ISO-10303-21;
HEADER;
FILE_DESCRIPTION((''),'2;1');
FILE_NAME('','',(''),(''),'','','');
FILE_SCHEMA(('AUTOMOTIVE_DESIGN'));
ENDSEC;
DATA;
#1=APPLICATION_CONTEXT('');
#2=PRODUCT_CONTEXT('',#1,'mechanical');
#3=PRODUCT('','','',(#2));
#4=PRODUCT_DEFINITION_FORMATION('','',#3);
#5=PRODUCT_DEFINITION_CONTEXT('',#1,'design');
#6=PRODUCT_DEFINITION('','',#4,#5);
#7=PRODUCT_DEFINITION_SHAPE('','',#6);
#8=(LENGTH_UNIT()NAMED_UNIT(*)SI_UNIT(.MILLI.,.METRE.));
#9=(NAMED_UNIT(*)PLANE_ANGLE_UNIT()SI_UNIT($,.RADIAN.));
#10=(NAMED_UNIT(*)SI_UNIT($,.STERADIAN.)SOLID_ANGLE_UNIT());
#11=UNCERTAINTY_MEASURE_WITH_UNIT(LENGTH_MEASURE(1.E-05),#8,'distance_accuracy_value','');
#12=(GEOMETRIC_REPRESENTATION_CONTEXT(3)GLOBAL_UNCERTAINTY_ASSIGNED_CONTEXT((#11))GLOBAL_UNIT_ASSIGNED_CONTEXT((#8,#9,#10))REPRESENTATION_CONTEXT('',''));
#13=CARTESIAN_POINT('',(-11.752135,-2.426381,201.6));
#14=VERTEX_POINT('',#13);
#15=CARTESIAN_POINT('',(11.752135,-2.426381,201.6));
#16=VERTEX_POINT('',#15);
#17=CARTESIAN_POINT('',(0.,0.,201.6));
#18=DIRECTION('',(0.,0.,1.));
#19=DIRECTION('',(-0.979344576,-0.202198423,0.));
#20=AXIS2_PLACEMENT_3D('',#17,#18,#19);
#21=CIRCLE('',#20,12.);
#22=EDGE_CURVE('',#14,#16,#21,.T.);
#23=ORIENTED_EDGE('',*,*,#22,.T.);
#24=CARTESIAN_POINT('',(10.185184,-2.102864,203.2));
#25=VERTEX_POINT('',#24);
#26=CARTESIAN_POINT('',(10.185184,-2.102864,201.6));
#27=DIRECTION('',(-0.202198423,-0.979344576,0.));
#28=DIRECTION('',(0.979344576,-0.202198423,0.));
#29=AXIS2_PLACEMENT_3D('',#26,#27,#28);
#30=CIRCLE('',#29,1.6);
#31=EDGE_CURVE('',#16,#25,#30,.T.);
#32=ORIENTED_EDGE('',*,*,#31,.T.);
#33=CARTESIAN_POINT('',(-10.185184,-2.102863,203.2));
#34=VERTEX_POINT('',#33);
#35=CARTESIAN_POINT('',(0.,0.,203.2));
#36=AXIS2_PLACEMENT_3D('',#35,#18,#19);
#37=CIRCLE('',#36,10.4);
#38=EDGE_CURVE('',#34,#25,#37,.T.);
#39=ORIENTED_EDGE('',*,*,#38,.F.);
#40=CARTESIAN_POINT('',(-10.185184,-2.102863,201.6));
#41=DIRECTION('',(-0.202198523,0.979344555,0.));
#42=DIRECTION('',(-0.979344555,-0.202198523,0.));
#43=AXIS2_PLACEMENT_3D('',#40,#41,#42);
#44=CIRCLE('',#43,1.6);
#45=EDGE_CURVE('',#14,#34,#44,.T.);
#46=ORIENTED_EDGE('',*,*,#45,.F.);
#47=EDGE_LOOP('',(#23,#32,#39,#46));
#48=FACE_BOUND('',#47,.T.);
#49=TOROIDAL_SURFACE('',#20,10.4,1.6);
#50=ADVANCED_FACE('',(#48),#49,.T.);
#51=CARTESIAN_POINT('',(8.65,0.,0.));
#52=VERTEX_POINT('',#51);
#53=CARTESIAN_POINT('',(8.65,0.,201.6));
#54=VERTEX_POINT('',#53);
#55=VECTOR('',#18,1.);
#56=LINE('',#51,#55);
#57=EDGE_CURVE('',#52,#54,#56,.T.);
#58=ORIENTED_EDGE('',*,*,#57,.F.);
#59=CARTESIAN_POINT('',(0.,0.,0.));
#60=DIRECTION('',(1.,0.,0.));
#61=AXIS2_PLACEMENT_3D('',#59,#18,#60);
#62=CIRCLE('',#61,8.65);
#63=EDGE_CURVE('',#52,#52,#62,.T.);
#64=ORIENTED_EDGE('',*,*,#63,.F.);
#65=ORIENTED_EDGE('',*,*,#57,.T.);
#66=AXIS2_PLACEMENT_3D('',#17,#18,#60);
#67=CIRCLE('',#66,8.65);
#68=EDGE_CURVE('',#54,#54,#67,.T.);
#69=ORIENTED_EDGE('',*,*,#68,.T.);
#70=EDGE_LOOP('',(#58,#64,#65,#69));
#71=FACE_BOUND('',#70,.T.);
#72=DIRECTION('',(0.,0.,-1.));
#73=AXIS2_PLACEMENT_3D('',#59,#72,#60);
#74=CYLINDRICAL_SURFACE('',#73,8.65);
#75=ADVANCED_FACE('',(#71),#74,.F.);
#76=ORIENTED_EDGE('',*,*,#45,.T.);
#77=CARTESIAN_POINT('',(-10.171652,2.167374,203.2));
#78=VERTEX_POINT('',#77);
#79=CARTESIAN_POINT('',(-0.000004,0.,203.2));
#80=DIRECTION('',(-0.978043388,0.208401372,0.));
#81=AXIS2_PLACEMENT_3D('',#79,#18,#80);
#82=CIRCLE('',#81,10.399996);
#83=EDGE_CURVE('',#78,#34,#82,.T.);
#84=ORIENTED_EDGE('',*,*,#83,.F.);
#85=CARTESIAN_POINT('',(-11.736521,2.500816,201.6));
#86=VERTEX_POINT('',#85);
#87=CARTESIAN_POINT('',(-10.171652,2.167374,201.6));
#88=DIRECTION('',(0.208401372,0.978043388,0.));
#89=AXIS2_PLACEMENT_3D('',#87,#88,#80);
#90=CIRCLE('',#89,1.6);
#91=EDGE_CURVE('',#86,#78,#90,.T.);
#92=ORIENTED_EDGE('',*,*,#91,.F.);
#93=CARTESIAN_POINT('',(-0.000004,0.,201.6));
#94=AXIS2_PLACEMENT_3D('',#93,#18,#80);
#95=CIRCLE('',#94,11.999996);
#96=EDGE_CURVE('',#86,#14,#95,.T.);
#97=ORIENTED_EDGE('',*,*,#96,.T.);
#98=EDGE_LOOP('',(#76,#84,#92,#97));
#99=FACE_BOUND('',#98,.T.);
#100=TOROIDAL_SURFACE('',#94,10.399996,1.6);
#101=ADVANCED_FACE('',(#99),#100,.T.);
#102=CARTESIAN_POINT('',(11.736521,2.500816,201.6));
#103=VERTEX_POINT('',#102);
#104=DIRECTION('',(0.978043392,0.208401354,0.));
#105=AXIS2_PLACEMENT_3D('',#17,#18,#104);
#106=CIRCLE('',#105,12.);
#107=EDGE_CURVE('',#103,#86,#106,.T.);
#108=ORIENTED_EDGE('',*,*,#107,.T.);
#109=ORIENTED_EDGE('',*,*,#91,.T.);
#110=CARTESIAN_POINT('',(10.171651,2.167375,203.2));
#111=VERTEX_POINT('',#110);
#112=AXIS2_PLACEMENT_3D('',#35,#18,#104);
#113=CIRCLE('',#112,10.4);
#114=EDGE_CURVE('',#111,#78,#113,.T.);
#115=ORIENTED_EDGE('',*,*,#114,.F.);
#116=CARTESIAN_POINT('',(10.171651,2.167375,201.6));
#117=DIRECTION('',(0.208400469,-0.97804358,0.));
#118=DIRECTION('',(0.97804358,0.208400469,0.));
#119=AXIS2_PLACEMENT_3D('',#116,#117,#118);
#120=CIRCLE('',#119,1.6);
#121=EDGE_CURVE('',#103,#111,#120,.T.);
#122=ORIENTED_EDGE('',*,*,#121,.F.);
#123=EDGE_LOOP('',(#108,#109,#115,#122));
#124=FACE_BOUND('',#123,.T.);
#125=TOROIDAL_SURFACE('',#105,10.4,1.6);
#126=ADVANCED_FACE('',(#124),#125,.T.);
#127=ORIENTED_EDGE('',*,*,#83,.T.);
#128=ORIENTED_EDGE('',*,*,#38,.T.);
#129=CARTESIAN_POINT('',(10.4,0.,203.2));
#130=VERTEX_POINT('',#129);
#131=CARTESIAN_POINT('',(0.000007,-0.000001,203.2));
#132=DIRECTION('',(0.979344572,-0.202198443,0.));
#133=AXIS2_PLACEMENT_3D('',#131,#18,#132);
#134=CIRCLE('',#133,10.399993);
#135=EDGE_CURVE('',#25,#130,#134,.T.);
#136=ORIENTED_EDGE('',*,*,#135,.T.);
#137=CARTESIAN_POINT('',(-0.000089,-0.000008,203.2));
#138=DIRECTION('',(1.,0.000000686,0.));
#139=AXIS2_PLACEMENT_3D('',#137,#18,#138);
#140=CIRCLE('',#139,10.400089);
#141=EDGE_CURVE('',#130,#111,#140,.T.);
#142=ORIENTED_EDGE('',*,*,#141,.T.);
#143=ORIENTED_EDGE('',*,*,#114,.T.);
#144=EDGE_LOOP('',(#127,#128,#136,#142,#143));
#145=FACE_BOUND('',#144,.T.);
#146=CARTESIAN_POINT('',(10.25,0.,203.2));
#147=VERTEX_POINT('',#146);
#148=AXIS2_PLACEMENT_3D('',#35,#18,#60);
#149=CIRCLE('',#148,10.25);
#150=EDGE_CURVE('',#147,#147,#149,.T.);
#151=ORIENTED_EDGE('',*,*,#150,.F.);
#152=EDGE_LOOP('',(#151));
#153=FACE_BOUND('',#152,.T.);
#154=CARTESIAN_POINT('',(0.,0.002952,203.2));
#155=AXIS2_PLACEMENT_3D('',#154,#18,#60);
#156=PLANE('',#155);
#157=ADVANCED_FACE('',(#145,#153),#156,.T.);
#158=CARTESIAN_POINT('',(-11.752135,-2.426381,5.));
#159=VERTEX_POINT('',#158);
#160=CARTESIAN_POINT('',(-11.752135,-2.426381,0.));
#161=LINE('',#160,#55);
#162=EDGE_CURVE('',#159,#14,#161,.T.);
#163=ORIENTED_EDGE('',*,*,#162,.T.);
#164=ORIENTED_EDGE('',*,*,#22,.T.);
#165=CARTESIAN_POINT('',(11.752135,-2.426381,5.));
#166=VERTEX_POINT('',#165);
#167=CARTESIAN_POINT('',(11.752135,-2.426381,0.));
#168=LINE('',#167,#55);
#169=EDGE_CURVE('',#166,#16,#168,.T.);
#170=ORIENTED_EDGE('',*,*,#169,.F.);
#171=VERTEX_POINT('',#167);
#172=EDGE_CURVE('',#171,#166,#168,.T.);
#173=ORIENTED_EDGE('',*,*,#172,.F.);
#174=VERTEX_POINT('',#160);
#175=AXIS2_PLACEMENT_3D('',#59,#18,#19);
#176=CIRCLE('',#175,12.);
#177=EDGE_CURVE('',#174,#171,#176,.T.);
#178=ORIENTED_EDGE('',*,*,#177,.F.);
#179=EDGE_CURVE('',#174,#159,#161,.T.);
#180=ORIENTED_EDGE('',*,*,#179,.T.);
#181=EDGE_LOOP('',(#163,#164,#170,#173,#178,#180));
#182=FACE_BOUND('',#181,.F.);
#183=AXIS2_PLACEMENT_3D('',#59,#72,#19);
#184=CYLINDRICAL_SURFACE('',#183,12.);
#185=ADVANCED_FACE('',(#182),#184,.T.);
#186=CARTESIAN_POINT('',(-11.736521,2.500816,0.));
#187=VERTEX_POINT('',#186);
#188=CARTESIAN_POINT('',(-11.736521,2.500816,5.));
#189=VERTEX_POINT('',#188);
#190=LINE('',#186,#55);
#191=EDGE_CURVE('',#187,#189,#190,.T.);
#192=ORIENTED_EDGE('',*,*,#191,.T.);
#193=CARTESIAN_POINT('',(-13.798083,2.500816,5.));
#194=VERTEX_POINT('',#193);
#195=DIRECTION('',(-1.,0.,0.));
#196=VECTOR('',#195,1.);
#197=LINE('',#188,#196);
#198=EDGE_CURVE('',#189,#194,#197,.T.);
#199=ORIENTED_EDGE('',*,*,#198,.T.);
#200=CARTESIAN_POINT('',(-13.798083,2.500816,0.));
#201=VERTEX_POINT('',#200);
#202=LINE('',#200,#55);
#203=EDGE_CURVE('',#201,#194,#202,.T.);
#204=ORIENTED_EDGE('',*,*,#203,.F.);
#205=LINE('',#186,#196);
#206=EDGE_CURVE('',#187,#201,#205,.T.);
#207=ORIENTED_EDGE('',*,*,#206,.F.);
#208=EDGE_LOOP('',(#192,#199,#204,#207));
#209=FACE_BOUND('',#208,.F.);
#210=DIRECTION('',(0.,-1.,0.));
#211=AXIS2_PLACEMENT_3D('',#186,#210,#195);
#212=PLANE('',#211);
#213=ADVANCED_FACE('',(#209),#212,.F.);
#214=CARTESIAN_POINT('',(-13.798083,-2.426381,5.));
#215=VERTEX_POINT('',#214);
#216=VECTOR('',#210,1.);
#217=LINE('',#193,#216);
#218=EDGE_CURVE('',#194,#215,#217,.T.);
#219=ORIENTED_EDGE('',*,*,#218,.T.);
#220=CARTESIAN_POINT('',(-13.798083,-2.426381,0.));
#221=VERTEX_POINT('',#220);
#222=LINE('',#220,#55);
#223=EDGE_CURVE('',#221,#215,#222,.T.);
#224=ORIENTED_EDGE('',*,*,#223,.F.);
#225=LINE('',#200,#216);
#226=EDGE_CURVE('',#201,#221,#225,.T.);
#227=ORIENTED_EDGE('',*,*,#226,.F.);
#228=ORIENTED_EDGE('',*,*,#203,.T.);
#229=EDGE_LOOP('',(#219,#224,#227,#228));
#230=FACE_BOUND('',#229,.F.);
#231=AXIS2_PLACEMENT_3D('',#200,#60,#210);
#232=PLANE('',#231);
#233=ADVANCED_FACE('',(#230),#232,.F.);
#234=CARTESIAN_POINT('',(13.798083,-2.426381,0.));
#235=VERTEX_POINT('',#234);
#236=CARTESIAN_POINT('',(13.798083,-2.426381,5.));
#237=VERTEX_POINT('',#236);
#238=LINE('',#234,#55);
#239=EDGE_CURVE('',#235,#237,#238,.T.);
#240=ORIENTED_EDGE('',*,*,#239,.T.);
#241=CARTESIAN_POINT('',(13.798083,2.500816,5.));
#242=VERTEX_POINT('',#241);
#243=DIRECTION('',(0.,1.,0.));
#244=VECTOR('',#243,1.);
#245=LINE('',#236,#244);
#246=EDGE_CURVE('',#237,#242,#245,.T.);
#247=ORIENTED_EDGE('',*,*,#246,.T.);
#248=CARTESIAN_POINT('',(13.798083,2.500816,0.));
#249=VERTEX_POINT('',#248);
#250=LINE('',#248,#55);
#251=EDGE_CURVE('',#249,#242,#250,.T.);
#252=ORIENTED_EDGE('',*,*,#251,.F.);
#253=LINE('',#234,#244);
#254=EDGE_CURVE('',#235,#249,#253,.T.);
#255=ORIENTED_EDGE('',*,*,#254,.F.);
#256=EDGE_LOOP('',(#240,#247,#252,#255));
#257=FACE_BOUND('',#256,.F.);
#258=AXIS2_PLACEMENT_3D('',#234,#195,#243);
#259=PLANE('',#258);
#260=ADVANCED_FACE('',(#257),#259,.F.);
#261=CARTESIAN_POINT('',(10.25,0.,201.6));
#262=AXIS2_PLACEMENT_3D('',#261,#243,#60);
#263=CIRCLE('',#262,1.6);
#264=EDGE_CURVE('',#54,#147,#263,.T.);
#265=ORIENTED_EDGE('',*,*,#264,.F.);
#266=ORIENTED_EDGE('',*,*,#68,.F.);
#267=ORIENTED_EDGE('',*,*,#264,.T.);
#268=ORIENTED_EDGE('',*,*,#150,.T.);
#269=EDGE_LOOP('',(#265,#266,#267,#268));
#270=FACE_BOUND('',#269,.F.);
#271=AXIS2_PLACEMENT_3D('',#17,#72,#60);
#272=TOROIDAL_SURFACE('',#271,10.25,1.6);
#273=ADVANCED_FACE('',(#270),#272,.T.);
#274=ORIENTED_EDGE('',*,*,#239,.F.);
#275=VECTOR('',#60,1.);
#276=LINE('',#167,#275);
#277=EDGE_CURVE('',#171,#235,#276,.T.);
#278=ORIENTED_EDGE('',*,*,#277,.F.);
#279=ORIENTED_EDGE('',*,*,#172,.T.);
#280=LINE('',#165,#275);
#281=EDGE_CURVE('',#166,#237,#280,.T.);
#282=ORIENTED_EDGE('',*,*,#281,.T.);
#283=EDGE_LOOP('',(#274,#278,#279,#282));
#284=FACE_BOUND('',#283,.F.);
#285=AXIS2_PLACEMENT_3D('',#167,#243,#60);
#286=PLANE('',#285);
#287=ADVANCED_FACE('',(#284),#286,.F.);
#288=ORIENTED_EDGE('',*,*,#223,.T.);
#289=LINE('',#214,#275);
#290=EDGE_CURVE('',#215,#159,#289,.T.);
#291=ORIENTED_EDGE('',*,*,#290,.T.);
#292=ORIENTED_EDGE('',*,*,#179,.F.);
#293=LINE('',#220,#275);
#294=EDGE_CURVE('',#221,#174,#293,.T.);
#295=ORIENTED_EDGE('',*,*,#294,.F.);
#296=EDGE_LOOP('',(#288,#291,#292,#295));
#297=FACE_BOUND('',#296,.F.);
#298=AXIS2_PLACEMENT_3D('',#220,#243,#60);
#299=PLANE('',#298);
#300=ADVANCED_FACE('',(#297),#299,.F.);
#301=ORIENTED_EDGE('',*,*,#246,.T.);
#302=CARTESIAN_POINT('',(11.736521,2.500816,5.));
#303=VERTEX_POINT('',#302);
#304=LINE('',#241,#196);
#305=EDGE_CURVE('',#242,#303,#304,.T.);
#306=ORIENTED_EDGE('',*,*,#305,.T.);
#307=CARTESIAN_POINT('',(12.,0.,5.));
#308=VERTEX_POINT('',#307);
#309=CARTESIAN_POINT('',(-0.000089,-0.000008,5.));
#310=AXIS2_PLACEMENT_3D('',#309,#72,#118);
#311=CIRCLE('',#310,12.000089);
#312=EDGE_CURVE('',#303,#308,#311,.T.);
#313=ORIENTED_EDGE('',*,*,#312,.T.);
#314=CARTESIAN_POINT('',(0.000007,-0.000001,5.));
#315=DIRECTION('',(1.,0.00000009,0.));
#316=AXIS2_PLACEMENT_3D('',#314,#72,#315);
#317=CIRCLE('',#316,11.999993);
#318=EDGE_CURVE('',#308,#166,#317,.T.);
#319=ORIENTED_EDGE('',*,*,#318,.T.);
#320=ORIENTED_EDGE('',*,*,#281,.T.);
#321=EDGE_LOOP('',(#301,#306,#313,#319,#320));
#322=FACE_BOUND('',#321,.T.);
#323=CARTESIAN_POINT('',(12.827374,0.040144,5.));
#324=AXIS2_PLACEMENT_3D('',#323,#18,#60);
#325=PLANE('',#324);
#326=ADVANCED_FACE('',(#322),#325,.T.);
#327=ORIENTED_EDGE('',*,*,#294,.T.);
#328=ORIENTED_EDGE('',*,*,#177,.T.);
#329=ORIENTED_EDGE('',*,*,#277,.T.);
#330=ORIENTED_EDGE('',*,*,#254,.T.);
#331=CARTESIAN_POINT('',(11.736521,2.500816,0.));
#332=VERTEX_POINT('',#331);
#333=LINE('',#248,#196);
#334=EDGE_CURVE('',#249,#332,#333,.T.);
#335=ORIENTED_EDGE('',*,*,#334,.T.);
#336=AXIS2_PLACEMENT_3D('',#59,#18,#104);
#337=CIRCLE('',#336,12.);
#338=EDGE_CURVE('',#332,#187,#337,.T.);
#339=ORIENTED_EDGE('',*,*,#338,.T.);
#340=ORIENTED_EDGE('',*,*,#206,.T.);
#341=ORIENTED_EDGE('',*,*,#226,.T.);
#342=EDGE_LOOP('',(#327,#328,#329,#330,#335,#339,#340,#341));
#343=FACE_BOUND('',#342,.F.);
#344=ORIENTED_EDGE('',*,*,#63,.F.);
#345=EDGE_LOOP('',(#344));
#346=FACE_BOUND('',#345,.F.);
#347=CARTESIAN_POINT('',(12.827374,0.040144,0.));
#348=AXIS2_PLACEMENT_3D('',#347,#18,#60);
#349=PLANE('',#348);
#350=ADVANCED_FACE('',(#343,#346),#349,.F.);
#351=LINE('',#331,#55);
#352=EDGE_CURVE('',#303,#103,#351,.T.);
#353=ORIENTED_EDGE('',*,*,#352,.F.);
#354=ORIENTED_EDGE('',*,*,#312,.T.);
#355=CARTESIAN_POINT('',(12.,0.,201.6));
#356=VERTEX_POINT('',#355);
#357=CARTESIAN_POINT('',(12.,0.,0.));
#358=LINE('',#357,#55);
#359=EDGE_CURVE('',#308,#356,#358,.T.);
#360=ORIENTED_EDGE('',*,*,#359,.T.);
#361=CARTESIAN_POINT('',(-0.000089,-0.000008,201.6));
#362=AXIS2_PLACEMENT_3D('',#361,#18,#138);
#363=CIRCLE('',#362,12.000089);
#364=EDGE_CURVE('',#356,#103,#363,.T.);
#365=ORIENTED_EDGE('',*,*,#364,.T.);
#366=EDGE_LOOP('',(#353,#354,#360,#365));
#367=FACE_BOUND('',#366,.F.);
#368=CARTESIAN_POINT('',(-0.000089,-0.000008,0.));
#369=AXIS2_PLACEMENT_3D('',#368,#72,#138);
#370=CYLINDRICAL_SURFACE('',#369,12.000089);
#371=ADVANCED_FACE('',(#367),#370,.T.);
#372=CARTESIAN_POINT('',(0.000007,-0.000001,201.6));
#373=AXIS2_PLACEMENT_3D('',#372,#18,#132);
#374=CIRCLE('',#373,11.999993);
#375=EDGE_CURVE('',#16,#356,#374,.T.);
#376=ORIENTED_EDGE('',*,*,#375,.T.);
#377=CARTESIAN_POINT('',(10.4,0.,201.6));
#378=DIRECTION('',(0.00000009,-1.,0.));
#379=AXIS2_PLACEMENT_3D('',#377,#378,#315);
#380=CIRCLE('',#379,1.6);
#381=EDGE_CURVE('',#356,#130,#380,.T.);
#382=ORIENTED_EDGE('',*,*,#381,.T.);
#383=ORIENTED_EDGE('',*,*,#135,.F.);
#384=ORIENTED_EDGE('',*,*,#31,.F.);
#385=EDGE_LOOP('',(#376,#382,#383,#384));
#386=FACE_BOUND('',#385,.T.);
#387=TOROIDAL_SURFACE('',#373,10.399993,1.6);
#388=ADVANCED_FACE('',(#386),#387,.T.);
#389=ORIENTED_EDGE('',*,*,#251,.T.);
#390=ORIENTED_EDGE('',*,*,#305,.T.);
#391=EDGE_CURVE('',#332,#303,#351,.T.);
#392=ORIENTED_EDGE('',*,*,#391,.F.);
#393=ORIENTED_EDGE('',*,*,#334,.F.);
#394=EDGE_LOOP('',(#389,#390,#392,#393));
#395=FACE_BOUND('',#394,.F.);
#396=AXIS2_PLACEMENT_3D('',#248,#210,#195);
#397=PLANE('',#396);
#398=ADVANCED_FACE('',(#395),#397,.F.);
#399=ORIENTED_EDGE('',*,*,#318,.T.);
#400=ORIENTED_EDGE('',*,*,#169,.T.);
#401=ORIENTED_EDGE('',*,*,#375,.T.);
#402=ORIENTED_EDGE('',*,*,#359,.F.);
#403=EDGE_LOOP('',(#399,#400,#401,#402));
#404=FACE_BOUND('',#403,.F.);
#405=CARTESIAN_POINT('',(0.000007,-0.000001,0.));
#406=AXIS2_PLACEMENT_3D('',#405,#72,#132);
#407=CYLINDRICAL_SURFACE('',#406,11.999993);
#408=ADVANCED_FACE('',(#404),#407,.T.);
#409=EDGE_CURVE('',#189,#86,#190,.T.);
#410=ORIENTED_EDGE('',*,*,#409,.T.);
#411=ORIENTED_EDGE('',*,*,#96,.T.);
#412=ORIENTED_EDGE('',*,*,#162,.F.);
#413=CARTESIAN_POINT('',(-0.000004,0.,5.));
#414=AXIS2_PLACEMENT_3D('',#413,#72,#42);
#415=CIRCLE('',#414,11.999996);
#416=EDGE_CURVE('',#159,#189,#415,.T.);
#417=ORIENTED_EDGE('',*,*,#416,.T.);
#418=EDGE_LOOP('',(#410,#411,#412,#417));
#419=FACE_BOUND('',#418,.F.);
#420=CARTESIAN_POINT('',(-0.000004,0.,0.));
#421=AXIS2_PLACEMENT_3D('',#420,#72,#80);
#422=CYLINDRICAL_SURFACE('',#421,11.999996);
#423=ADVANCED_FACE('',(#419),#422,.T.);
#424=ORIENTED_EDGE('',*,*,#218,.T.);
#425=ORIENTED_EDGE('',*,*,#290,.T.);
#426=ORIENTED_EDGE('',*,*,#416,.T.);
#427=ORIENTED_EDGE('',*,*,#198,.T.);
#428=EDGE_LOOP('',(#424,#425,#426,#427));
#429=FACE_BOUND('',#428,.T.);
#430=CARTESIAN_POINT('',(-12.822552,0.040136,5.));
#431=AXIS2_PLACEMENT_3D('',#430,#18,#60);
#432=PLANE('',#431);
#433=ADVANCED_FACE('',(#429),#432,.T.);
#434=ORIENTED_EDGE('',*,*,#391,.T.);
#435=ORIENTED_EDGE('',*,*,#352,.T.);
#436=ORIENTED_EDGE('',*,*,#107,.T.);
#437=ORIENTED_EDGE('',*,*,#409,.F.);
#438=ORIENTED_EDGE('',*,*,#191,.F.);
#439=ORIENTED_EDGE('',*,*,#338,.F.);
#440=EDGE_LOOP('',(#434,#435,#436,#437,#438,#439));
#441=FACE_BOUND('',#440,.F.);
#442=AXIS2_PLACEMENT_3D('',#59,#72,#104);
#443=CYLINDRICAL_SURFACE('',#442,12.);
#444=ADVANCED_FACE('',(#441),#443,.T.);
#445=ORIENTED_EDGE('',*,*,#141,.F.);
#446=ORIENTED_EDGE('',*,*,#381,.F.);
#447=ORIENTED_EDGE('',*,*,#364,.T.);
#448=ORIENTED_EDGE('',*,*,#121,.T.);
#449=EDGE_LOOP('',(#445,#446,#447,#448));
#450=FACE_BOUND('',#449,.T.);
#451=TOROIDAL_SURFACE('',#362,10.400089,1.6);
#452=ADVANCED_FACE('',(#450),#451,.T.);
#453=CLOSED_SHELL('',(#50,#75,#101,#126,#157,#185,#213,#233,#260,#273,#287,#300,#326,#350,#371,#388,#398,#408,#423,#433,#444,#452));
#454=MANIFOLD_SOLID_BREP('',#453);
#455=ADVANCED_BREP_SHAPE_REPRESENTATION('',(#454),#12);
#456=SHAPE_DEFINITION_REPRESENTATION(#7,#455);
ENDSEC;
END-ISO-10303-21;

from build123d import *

# Parameters (mm, degrees)
F0_R     = 8.65
F1_DEPTH = 203.2
F2_R     = 1.6
F3_DEPTH = 5


with BuildPart() as f1:
    # F0 (on Top) → F1 (new body)
    with BuildSketch(Plane.XY):
        with BuildLine():
            Line((11.736521, -2.426381), (11.736521, 2.500816))
            ThreePointArc((11.736521, 2.500816), (0, 12), (-11.736521, 2.500816))
            Line((-11.736521, 2.500816), (-11.736521, -2.426381))
            Line((-11.736521, -2.426381), (-11.752135, -2.426381))
            ThreePointArc((-11.752135, -2.426381), (0, -12), (11.752135, -2.426381))
            Line((11.752135, -2.426381), (11.736521, -2.426381))
        make_face()
        Circle(F0_R, mode=Mode.SUBTRACT)
        with BuildLine():
            Line((-11.736521, -2.426381), (-11.736521, 2.500816))
            ThreePointArc((-11.736521, 2.500816), (-11.99994, 0.038028), (-11.752135, -2.426381))
            Line((-11.752135, -2.426381), (-11.736521, -2.426381))
        make_face()
        with BuildLine():
            ThreePointArc((11.752135, -2.426381), (11.937873, -1.219504), (12, 0))
            ThreePointArc((12, 0), (11.933948, 1.257329), (11.736521, 2.500816))
            Line((11.736521, 2.500816), (11.736521, -2.426381))
            Line((11.736521, -2.426381), (11.752135, -2.426381))
        make_face()
    extrude(amount=F1_DEPTH)

    # F2
    f2_edges = [f1.edges().sort_by_distance(p)[0] for p in [
        (-11.752135, 2.426381, 203.2),
        (-8.65, 0, 203.2),
    ]]
    fillet(f2_edges, radius=F2_R)

    # F0 (on Top) → F3 (join)
    with BuildSketch(Plane.XY):
        with BuildLine():
            ThreePointArc((11.736521, 2.500816), (11.933948, 1.257329), (12, 0))
            ThreePointArc((12, 0), (11.937873, -1.219504), (11.752135, -2.426381))
            Line((11.752135, -2.426381), (13.798083, -2.426381))
            Line((13.798083, -2.426381), (13.798083, 2.500816))
            Line((13.798083, 2.500816), (11.736521, 2.500816))
        make_face()
        with BuildLine():
            ThreePointArc((-11.752135, -2.426381), (-11.99994, 0.038028), (-11.736521, 2.500816))
            Line((-11.736521, 2.500816), (-13.798083, 2.500816))
            Line((-13.798083, 2.500816), (-13.798083, -2.426381))
            Line((-13.798083, -2.426381), (-11.752135, -2.426381))
        make_face()
    extrude(amount=F3_DEPTH)


solid = f1.part
